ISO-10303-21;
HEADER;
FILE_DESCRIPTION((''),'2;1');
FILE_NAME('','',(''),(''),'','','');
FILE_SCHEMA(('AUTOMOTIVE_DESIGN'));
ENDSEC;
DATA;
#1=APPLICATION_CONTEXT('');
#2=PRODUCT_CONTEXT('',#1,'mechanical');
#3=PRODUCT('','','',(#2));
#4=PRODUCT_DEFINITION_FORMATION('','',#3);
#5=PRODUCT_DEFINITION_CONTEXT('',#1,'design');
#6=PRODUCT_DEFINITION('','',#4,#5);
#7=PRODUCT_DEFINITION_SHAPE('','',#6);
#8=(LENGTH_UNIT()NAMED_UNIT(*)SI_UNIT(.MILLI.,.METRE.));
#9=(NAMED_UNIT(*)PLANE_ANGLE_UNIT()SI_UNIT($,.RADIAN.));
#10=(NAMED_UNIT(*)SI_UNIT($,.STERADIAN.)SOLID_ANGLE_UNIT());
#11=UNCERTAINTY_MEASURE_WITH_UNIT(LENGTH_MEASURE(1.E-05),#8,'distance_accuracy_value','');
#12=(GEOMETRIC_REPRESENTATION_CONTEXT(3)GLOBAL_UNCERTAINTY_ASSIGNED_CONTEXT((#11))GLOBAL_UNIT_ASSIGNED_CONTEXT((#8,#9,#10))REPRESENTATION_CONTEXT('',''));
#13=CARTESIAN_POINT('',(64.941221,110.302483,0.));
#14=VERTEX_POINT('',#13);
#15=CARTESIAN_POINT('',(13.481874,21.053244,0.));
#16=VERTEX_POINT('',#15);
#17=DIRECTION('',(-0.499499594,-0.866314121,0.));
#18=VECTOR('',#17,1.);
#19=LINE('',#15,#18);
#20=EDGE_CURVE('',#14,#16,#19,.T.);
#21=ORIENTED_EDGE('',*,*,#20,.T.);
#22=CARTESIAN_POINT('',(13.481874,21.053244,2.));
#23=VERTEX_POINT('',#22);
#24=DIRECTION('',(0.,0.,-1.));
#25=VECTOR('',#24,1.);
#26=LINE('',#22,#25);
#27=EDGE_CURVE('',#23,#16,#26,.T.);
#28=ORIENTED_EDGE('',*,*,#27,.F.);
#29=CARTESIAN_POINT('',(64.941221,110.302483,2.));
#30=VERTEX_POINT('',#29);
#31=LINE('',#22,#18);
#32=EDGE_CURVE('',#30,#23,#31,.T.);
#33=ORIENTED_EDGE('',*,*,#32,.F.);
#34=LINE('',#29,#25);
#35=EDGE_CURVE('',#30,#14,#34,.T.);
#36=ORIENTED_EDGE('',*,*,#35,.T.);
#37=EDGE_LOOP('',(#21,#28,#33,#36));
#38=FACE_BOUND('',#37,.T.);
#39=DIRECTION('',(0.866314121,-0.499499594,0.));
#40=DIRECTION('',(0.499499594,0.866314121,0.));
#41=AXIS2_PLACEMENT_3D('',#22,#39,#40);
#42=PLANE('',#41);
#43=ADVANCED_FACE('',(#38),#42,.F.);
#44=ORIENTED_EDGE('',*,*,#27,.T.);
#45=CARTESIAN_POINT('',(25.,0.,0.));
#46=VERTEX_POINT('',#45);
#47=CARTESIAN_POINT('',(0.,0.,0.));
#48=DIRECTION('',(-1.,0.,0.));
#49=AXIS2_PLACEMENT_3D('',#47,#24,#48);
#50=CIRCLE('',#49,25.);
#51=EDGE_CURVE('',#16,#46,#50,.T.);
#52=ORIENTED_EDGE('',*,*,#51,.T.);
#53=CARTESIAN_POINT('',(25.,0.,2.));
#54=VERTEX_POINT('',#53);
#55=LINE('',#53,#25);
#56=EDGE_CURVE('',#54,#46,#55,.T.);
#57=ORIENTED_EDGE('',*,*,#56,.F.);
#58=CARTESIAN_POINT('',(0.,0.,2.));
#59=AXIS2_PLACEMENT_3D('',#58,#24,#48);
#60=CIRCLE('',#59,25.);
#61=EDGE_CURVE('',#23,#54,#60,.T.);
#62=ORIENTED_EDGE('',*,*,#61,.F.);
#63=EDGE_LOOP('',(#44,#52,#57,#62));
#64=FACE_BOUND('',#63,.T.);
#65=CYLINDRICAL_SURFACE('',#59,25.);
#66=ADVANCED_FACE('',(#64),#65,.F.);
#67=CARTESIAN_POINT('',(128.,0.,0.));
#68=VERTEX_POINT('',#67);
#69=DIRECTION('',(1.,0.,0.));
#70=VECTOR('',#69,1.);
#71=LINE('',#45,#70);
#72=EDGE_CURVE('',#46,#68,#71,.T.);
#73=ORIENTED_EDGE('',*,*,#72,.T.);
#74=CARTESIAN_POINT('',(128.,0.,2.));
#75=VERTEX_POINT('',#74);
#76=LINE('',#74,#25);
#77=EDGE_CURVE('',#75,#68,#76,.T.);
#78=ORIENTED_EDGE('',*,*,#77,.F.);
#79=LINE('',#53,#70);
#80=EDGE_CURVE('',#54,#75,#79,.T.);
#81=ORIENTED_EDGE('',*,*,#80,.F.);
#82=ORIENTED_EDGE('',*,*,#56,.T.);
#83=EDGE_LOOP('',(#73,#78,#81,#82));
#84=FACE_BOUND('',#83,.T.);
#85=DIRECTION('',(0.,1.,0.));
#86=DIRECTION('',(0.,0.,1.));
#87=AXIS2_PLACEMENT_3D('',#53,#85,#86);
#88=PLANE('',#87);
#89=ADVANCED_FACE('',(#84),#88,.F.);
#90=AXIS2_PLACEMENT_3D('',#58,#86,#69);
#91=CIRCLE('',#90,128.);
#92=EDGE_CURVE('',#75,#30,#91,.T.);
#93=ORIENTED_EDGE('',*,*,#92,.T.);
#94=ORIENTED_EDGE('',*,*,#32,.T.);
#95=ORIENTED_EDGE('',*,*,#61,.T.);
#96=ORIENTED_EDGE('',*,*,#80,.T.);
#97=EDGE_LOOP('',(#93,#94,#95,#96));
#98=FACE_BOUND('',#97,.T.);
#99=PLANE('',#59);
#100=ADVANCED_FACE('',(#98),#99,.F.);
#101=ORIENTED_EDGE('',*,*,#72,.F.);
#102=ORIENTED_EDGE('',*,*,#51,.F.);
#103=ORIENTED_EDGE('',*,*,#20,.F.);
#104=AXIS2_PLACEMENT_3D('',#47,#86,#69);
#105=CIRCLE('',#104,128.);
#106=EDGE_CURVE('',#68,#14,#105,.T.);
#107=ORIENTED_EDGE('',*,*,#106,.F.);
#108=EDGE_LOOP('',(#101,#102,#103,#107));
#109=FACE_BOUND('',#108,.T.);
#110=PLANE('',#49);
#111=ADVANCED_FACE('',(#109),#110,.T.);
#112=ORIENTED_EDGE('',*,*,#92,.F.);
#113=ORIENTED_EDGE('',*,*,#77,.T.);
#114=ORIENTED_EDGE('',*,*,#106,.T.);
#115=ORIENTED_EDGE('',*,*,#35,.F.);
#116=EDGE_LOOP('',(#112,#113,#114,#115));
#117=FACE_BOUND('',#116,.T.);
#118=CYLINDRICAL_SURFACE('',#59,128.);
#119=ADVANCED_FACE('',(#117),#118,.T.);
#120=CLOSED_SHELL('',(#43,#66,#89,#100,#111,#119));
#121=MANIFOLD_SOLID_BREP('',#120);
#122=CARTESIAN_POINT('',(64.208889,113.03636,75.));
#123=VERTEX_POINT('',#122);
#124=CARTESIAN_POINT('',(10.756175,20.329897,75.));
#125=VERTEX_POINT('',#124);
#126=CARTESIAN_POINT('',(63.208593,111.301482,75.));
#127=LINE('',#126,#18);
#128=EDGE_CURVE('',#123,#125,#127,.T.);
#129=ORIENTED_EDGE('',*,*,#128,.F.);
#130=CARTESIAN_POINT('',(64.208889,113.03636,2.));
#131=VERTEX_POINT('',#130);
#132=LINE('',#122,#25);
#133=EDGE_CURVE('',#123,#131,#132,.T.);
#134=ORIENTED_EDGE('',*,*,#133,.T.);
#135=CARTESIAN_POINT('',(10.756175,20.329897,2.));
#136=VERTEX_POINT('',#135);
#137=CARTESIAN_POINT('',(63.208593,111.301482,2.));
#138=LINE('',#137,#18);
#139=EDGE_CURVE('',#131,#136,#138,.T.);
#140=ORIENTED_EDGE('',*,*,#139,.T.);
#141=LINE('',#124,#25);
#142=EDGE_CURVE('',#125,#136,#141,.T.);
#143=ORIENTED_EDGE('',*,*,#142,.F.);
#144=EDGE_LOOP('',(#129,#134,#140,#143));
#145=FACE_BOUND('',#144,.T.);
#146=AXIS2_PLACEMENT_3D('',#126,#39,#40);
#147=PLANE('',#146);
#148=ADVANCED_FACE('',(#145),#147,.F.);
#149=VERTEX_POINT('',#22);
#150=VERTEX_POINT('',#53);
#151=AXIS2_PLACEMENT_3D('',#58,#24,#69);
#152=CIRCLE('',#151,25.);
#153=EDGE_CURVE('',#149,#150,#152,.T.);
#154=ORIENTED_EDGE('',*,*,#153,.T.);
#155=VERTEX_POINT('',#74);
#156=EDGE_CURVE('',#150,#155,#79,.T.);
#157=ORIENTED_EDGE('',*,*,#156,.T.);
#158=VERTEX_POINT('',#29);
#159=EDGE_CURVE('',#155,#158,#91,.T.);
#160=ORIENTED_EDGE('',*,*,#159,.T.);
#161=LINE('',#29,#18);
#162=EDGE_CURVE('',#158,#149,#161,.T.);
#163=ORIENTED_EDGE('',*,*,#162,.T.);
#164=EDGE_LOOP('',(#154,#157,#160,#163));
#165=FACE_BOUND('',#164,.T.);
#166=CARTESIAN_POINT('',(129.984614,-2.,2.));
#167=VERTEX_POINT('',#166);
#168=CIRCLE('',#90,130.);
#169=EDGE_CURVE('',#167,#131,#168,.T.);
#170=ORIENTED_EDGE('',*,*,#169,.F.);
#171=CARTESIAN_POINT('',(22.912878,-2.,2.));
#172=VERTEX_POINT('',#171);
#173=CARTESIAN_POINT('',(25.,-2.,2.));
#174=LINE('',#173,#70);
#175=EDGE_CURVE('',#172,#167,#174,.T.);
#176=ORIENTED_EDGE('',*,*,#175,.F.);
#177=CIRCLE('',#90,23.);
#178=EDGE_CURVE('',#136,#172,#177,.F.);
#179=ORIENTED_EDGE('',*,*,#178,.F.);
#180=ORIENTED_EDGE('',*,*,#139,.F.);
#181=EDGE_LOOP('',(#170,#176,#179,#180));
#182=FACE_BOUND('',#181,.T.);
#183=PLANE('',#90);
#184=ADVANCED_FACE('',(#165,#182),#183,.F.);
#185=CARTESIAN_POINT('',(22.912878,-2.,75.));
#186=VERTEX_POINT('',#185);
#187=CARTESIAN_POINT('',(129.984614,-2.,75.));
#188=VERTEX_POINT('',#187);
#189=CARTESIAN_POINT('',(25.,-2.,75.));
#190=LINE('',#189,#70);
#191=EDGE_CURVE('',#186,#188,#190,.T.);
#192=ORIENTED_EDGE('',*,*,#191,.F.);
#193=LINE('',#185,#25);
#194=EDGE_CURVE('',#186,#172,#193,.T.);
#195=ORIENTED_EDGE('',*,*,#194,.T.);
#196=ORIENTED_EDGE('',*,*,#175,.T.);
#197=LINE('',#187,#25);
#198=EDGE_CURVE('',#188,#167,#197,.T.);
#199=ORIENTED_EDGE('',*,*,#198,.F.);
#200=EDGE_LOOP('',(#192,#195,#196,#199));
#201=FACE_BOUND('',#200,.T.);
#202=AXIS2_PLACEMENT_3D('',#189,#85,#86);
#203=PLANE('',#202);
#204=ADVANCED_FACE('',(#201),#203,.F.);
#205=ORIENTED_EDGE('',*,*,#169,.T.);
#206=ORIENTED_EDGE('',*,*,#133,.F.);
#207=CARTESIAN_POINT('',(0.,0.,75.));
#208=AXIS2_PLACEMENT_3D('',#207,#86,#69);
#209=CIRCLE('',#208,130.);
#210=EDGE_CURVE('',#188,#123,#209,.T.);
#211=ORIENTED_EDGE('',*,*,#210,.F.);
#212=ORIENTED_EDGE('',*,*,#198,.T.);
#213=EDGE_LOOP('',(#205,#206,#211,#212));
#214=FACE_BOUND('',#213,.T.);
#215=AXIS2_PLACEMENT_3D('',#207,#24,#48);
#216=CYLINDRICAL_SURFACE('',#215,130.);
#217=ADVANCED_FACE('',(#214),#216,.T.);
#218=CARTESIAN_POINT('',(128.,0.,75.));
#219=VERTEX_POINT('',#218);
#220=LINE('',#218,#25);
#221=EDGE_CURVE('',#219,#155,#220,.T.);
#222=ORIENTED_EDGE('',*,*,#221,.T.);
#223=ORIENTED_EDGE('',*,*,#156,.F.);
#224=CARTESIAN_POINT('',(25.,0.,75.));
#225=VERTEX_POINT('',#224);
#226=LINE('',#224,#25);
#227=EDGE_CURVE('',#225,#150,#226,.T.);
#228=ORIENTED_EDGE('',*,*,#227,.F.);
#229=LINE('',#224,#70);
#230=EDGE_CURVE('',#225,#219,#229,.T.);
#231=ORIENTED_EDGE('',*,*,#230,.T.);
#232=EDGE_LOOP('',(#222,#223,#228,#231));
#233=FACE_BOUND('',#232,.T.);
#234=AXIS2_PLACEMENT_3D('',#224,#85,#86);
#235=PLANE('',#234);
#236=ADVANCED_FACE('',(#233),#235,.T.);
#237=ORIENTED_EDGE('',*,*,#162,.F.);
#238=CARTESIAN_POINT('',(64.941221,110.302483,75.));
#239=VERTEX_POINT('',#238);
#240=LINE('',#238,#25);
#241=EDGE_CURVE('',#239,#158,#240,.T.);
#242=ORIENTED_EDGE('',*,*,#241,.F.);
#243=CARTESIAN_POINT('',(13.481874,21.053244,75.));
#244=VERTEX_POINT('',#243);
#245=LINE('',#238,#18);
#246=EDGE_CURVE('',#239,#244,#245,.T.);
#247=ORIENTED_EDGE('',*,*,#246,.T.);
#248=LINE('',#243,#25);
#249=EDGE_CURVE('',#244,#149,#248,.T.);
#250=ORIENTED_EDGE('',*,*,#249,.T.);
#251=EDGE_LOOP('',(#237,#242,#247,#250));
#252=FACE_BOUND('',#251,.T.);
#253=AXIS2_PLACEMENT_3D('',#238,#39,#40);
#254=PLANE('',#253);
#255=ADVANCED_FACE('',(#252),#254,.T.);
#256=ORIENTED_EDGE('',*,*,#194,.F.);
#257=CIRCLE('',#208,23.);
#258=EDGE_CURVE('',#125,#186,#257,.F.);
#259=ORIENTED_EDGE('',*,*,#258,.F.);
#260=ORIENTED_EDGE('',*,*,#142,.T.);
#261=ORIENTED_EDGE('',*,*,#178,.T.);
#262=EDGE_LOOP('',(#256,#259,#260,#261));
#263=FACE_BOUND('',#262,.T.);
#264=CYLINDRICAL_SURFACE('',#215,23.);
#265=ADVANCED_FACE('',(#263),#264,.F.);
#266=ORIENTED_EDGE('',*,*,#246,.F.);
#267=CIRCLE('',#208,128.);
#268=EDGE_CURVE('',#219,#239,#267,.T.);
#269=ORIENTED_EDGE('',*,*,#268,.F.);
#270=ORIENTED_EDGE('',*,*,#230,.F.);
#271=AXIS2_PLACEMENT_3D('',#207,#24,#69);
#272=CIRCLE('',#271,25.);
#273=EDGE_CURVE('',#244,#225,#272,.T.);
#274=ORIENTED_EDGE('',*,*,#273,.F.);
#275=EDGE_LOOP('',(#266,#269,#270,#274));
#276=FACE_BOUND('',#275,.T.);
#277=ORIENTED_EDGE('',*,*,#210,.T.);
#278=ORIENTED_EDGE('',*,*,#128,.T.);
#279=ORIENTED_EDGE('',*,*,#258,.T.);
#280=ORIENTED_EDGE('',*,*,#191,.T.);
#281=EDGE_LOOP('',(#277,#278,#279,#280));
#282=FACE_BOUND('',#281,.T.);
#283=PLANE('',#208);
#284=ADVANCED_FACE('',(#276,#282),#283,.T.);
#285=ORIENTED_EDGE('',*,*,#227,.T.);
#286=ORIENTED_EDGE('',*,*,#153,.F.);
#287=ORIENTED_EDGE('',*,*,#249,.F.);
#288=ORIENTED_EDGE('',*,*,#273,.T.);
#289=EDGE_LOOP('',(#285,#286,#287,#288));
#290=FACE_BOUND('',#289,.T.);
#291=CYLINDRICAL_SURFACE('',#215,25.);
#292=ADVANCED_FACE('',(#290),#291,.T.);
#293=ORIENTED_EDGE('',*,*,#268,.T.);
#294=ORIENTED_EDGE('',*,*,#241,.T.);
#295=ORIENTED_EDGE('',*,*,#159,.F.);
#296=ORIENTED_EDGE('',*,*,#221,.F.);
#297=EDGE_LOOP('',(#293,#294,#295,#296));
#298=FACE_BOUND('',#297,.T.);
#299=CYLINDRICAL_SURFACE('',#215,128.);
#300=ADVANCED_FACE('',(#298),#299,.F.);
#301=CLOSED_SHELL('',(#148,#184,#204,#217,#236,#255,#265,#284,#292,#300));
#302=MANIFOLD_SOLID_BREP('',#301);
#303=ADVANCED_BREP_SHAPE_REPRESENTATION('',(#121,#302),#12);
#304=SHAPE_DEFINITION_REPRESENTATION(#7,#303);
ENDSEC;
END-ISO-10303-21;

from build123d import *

# Parameters (mm, degrees)
EXTRUDE_1_DEPTH   = 2
EXTRUDE_1_2_DEPTH = 73


with BuildPart() as part:
    # 草图1 → Extrude 1 (new body)
    with BuildSketch(Plane.XY):
        with BuildLine():
            Line((25, 0), (128, 0))
            ThreePointArc((128, 0), (111.122626619, 63.527646369), (64.941221044, 110.302483242))
            Line((64.941221044, 110.302483242), (13.481874136, 21.053243688))
            ThreePointArc((13.481874136, 21.053243688), (21.932246276, 11.999023848), (25, 0))
        make_face()
    extrude(amount=EXTRUDE_1_DEPTH)


with BuildPart() as body_2:
    # 草图2 → Extrude 1 2 (new body)
    with BuildSketch(Plane.XY.offset(2)):
        with BuildLine():
            Line((22.912878475, -2), (129.984614474, -2))
            ThreePointArc((129.984614474, -2), (112.854420307, 64.528131983), (64.208888722, 113.036359677))
            Line((64.208888722, 113.036359677), (10.756175105, 20.329896633))
            ThreePointArc((10.756175105, 20.329896633), (20.200429776, 10.997392275), (22.912878475, -2))
        make_face()
        with BuildLine():
            Line((25, 0), (128, 0))
            ThreePointArc((128, 0), (111.122626619, 63.527646369), (64.941221044, 110.302483242))
            Line((64.941221044, 110.302483242), (13.481874136, 21.053243688))
            ThreePointArc((13.481874136, 21.053243688), (21.932246276, 11.999023848), (25, 0))
        make_face(mode=Mode.SUBTRACT)
    extrude(amount=EXTRUDE_1_2_DEPTH)


solid = Compound([part.part, body_2.part])
